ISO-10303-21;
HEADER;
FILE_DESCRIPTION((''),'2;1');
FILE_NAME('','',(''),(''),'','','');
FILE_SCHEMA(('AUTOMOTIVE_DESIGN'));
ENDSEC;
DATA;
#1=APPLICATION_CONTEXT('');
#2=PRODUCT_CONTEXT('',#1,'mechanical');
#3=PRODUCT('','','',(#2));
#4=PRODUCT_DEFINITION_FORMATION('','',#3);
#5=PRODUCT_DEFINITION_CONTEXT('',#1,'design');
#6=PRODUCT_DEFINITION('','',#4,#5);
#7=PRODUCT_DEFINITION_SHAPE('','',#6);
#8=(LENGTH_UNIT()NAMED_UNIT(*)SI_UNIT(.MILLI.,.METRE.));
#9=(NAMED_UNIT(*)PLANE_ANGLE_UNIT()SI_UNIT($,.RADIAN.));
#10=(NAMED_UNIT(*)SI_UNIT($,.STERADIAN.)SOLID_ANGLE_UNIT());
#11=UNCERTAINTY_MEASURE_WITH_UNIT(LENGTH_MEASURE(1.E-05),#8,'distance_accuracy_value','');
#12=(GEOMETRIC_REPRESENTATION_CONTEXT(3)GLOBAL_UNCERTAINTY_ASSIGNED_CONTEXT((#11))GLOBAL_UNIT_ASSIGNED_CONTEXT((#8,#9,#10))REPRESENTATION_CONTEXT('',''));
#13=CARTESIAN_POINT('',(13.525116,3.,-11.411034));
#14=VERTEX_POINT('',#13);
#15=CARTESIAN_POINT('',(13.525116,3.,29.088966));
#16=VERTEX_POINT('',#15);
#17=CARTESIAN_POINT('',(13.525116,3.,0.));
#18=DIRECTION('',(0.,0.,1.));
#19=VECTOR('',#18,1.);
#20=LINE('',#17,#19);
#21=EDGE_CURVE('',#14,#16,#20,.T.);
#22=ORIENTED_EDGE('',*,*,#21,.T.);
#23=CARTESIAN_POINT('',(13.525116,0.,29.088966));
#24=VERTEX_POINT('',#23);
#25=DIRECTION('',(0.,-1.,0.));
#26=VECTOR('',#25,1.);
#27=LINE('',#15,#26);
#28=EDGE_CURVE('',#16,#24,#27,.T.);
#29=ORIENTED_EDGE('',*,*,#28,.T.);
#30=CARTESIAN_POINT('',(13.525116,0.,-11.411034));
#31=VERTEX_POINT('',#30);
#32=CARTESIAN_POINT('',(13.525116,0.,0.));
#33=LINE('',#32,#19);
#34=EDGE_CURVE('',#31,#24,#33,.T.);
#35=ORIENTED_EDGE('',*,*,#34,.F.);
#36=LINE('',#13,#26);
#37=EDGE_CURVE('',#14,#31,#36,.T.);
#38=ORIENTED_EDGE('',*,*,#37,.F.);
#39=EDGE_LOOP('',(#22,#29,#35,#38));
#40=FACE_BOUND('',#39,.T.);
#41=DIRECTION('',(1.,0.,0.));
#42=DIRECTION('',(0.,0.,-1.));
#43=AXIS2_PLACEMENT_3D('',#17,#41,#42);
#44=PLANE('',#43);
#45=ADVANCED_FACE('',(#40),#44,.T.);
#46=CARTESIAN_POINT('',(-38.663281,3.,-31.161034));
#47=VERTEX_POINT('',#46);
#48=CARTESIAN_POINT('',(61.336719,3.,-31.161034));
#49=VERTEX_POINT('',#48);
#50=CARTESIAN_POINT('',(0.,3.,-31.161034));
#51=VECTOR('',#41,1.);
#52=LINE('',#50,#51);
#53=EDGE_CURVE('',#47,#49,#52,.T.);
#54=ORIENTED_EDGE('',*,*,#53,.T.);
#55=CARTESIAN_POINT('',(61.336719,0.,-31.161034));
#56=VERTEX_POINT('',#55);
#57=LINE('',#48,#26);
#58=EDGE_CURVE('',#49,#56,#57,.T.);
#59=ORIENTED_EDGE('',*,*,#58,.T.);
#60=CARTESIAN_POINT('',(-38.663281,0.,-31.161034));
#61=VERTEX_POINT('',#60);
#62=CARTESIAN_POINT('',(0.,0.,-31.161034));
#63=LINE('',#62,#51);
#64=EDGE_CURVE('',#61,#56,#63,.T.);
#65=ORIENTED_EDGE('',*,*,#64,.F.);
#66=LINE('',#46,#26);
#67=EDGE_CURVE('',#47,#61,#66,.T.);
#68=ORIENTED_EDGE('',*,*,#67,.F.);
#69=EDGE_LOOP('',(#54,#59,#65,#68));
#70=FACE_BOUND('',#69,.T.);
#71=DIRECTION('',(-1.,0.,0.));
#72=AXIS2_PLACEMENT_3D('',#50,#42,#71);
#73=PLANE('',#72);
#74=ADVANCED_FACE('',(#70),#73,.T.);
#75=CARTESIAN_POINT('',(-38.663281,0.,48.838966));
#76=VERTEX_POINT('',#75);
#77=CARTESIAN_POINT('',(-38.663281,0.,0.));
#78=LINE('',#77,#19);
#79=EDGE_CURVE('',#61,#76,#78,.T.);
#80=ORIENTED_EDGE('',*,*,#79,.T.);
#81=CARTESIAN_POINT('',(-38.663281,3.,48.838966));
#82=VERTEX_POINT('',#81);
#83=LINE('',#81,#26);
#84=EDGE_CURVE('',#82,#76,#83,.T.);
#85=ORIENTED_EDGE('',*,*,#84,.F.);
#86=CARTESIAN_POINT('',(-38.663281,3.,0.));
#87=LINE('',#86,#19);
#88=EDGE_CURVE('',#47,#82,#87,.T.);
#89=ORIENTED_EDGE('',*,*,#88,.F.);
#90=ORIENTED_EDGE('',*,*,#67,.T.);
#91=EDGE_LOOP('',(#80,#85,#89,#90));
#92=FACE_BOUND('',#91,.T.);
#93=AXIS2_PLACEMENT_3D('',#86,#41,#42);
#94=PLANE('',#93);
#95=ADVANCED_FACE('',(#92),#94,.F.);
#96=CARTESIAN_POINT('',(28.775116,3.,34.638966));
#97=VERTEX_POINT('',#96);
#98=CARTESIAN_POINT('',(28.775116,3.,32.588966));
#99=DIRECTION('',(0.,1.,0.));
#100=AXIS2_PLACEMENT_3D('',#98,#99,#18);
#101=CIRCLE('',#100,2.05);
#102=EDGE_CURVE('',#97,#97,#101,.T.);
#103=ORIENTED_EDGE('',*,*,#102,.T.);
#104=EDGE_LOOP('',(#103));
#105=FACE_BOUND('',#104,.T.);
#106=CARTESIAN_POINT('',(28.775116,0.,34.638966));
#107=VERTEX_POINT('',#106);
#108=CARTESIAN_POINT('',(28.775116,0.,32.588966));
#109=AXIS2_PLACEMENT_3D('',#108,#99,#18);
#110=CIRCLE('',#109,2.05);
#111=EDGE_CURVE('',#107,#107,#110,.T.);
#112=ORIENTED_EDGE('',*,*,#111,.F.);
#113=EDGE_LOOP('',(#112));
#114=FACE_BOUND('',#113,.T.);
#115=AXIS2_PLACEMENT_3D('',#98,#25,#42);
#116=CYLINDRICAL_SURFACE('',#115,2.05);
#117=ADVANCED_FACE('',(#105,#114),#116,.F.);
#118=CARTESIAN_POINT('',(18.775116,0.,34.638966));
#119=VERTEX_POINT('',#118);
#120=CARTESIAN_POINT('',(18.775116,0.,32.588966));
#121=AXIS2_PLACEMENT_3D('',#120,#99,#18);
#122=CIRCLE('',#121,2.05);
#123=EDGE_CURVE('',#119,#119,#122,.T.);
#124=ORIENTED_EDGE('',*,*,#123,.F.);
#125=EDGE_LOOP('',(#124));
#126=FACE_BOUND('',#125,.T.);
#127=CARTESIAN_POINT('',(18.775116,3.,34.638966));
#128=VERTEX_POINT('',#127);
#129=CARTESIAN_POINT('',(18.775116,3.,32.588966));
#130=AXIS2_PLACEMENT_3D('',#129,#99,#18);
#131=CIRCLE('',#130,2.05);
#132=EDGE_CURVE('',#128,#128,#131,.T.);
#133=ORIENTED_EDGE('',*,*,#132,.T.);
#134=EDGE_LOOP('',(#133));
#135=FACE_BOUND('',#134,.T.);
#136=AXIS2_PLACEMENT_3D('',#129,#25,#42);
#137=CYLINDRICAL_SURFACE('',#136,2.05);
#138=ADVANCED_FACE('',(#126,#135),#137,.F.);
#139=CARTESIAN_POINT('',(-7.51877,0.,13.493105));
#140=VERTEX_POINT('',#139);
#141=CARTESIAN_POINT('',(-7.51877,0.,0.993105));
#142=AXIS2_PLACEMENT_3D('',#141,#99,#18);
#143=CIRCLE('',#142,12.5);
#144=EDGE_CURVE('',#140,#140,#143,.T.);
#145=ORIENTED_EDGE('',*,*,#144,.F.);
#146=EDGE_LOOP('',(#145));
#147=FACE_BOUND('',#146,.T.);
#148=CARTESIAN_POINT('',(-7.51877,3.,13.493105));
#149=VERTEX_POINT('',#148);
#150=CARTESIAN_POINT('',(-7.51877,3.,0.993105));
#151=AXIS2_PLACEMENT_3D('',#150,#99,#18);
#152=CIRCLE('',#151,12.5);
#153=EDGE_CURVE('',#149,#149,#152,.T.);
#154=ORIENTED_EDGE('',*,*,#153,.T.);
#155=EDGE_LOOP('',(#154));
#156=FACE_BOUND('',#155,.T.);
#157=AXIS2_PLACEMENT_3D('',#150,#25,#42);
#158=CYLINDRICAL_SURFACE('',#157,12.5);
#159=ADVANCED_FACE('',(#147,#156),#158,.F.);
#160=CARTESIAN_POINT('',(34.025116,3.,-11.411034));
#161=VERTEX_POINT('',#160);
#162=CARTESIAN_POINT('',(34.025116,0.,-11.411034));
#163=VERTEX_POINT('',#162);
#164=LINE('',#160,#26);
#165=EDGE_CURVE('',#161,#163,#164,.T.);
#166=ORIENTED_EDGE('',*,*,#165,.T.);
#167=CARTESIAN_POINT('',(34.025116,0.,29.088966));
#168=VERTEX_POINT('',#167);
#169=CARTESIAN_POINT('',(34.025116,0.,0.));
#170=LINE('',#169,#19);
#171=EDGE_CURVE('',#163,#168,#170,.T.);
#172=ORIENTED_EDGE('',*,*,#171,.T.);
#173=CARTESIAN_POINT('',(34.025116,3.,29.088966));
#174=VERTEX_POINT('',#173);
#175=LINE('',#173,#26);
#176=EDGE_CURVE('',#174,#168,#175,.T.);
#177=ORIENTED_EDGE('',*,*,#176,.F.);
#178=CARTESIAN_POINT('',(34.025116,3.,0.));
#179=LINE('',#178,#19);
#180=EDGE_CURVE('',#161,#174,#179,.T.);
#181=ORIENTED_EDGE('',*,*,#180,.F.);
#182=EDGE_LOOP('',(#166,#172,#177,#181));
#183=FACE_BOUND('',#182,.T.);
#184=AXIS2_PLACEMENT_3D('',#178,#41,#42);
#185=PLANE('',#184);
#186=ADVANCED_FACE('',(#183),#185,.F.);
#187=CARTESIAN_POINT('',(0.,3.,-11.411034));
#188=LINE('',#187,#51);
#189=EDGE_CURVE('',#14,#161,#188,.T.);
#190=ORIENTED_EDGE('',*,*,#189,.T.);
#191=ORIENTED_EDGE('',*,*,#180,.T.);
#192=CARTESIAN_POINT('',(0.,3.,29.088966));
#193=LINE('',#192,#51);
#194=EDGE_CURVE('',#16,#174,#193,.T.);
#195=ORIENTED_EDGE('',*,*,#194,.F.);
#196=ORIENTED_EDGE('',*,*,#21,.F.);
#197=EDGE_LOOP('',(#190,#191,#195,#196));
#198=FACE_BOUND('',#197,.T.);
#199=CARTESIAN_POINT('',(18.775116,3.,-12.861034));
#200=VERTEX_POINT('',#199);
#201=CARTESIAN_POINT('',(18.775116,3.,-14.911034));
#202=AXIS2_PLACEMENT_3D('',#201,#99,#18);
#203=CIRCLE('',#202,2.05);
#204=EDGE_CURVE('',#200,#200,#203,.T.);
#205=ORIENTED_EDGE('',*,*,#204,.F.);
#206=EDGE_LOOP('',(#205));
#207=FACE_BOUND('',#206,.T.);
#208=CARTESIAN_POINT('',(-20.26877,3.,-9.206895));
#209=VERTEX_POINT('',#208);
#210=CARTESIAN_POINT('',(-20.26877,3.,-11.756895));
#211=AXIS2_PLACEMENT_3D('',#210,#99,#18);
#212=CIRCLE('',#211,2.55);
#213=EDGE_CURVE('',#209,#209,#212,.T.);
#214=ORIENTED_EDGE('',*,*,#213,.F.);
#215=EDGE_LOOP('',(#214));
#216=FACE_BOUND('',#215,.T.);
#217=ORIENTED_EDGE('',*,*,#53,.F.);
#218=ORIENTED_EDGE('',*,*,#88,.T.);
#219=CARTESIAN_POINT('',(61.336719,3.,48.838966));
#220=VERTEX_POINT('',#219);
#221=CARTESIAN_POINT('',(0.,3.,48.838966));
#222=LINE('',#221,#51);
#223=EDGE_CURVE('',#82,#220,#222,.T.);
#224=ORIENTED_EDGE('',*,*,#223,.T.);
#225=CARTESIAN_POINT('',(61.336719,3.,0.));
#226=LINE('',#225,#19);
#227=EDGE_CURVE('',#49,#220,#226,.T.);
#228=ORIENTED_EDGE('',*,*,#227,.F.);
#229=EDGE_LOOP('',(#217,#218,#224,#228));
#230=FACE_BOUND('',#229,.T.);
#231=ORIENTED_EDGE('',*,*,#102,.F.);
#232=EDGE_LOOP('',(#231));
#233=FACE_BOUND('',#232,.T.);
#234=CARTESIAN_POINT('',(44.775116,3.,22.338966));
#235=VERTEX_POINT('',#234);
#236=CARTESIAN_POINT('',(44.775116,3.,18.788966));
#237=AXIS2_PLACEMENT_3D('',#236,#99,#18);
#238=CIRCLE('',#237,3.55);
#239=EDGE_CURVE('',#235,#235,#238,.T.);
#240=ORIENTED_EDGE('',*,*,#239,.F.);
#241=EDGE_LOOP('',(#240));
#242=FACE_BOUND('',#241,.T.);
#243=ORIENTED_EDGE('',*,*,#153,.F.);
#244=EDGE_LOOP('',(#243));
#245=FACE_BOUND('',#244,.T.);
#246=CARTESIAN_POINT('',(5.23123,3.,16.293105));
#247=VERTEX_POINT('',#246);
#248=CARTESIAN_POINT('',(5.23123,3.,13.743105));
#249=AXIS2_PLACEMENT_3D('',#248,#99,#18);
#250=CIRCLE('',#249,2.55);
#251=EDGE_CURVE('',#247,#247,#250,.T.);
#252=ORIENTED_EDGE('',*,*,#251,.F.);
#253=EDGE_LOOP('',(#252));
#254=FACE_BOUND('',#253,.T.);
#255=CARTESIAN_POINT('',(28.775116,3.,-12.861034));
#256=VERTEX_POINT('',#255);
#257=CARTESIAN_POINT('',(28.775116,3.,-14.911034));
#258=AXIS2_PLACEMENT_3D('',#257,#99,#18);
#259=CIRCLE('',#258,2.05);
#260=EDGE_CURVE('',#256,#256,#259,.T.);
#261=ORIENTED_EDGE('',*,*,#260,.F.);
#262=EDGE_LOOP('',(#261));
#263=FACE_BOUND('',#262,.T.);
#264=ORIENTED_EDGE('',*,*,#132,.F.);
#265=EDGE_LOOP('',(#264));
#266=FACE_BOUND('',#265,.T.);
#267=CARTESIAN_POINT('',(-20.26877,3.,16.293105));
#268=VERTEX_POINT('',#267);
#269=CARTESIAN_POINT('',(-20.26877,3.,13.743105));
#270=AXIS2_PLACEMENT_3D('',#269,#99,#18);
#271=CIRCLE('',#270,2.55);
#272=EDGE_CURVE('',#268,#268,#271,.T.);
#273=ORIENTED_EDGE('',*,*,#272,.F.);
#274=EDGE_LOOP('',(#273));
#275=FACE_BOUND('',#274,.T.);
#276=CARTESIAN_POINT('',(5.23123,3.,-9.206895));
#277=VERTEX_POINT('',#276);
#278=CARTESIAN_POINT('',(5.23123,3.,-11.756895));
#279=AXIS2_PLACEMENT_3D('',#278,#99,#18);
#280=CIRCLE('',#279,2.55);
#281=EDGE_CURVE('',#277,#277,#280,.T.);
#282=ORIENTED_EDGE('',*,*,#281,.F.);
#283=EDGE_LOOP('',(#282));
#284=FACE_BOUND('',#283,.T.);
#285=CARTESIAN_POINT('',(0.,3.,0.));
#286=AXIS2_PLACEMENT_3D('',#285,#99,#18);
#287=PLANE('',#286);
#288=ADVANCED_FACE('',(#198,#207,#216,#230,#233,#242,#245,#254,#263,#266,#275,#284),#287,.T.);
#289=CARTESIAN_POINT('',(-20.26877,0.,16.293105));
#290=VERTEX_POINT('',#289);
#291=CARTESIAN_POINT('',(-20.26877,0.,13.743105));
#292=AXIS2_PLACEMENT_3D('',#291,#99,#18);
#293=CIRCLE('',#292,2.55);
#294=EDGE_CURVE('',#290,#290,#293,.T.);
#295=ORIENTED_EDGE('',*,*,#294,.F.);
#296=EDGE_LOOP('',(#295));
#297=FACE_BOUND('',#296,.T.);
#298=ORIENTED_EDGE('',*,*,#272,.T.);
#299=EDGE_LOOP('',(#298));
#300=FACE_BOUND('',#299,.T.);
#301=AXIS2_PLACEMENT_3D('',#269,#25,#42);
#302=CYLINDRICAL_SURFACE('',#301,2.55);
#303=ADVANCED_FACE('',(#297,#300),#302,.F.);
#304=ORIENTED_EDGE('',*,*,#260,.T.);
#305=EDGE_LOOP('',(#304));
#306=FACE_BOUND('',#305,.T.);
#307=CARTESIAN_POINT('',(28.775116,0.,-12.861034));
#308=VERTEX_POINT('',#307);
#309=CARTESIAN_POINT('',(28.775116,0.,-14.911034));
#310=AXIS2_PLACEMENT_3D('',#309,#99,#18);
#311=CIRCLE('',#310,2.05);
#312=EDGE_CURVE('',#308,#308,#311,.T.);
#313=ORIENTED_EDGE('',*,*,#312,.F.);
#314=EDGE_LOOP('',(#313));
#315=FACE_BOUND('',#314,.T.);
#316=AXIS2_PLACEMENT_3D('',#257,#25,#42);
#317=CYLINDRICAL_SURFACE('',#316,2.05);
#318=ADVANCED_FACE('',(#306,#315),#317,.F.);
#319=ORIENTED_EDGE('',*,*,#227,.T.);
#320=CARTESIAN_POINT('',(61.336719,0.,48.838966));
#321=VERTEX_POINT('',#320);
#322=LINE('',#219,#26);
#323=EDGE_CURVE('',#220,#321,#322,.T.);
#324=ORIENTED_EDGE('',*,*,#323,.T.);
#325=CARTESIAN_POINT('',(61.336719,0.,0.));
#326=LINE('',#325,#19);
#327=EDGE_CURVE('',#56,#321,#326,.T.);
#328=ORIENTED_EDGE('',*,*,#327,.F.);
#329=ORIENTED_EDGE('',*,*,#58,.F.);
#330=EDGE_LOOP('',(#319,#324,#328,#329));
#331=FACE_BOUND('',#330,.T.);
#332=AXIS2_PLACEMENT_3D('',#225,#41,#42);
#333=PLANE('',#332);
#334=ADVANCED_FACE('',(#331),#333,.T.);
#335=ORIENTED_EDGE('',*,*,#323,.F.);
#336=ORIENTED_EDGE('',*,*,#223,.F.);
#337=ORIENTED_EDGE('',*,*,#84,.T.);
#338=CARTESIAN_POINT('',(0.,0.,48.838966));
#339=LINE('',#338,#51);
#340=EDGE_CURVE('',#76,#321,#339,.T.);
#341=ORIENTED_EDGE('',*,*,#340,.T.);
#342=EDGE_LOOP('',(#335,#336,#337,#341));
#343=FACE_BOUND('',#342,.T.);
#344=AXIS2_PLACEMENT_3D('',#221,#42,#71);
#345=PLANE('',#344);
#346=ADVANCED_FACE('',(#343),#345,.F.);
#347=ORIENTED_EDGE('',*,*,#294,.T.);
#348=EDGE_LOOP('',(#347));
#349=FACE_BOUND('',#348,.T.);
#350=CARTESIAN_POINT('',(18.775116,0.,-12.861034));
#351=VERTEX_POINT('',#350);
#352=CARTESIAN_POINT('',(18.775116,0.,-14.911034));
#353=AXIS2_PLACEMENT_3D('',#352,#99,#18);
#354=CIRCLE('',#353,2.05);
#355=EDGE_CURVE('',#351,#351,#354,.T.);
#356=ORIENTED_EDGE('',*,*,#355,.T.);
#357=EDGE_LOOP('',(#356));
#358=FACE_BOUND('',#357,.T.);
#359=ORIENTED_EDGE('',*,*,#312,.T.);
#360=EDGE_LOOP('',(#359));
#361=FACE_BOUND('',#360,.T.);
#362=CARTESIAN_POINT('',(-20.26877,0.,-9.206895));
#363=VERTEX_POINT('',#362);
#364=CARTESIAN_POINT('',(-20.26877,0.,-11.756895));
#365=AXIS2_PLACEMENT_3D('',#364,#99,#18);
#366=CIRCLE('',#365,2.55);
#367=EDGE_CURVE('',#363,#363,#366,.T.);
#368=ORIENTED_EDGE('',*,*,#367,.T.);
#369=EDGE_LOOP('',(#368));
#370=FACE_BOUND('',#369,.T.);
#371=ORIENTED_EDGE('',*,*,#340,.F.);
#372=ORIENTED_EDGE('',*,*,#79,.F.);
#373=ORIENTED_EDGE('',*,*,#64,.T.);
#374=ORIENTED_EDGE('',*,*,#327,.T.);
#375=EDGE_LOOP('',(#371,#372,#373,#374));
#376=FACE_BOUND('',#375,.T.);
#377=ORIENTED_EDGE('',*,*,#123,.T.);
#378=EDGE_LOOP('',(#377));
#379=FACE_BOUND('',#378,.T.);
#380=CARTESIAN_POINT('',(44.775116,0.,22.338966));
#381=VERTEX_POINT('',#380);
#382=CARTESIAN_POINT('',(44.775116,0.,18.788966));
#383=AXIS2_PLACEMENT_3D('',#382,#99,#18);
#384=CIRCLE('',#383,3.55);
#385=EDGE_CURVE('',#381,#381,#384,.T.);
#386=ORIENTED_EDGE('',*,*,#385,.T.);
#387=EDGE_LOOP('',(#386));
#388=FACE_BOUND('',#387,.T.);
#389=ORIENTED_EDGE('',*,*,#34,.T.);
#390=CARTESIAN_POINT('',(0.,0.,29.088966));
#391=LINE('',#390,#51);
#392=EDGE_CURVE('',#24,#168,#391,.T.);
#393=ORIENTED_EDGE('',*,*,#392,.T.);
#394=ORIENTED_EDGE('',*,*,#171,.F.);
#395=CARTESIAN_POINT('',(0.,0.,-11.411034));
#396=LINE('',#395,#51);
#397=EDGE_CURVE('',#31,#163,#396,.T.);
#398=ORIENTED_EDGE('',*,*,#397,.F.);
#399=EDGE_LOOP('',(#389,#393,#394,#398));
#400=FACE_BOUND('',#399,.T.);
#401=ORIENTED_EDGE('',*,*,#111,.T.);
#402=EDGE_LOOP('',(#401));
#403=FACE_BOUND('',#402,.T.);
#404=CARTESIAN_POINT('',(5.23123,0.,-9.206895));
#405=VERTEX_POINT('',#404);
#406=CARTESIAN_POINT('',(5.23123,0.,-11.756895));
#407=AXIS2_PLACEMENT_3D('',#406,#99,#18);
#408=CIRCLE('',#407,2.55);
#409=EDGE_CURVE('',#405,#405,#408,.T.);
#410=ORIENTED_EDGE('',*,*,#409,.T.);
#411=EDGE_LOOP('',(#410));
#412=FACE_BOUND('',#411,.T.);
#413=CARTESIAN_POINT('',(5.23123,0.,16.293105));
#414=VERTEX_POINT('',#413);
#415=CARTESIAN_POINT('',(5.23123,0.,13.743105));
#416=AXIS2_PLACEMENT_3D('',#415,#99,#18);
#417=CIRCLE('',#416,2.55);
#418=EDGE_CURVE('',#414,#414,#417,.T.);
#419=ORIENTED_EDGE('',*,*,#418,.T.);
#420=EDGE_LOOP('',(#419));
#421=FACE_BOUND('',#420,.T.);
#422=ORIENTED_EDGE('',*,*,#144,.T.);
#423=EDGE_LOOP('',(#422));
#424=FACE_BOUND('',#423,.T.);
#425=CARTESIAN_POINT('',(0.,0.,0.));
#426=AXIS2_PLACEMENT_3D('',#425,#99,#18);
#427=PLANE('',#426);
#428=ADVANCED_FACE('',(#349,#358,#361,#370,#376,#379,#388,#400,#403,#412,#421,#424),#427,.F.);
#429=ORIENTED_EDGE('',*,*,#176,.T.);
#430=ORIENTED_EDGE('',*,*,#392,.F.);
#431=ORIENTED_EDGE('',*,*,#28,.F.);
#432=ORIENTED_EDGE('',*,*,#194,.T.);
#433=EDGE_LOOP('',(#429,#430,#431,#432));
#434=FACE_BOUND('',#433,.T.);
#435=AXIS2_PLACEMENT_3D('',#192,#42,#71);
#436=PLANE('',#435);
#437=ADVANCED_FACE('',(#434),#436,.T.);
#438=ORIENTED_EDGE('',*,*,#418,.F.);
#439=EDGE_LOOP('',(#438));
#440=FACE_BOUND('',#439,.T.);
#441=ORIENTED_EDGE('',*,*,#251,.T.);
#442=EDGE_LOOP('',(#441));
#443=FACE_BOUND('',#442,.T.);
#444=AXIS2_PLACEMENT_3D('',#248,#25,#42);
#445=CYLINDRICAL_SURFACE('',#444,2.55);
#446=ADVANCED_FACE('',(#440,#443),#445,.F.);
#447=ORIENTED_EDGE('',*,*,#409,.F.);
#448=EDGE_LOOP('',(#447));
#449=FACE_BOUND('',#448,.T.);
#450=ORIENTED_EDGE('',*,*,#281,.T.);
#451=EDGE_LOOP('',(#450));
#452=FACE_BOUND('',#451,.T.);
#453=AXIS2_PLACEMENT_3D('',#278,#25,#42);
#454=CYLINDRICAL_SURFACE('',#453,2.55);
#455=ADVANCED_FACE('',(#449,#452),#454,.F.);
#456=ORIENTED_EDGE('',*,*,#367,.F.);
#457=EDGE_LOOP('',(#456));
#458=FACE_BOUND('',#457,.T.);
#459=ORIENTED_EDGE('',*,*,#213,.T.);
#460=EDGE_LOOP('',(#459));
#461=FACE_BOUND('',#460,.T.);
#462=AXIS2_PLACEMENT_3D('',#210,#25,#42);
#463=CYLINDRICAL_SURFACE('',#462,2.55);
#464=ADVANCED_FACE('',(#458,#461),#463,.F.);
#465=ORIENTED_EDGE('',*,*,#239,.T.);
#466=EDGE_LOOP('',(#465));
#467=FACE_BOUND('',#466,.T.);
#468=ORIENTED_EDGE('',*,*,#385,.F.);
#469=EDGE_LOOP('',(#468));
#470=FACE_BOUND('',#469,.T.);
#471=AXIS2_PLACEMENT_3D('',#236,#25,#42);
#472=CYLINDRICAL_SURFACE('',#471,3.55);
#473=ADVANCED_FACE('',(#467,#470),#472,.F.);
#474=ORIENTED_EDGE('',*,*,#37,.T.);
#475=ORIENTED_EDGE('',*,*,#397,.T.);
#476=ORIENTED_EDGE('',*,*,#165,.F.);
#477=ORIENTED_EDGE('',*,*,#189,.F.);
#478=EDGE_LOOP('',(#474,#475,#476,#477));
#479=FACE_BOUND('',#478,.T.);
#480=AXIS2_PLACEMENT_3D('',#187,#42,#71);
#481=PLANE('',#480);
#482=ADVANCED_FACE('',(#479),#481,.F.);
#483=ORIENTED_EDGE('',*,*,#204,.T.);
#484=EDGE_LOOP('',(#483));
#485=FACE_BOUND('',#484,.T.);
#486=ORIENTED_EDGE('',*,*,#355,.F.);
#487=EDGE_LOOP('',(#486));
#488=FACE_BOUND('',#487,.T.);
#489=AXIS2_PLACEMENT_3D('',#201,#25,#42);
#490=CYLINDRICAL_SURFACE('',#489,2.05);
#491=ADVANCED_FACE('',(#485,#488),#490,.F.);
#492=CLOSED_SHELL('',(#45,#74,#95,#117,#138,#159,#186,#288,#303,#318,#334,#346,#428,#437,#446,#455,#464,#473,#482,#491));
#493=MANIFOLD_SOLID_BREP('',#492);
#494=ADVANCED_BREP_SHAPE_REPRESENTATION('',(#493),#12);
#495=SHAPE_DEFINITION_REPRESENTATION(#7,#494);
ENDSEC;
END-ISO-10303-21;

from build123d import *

# Parameters (mm, degrees)
SZKIC1_W                    = 100
SZKIC1_H                    = 80
SZKIC1_R                    = 3.55
SZKIC1_R_2                  = 2.05
SZKIC1_R_3                  = 2.55
SZKIC1_R_4                  = 12.5
SZKIC1_W_2                  = 20.5
SZKIC1_H_2                  = 40.5
DODANIE_WYCI_GNI_CIE1_DEPTH = 3


with BuildPart() as part:
    # Szkic1 → Dodanie-wyciągnięcie1 (new body)
    with BuildSketch(Plane(origin=(0, 0, 0), x_dir=(1, 0, 0), z_dir=(0, 1, 0))):
        with Locations((11.336719097, -8.838965942)):
            Rectangle(SZKIC1_W, SZKIC1_H)
        with Locations(Location((44.775116298, -18.788965942, 0), (0, 0, 270))):
            Circle(SZKIC1_R, mode=Mode.SUBTRACT)
        with Locations(Location((28.775116298, -32.588965942, 0), (0, 0, 270))):
            Circle(SZKIC1_R_2, mode=Mode.SUBTRACT)
        with Locations(Location((18.775116298, -32.588965942, 0), (0, 0, 270))):
            Circle(SZKIC1_R_2, mode=Mode.SUBTRACT)
        with Locations(Location((28.775116298, 14.911034058, 0), (0, 0, 270))):
            Circle(SZKIC1_R_2, mode=Mode.SUBTRACT)
        with Locations(Location((18.775116298, 14.911034058, 0), (0, 0, 270))):
            Circle(SZKIC1_R_2, mode=Mode.SUBTRACT)
        with Locations(Location((-20.268770099, -13.743104788, 0), (0, 0, 270))):
            Circle(SZKIC1_R_3, mode=Mode.SUBTRACT)
        with Locations(Location((5.231229901, -13.743104788, 0), (0, 0, 270))):
            Circle(SZKIC1_R_3, mode=Mode.SUBTRACT)
        with Locations(Location((5.231229901, 11.756895212, 0), (0, 0, 270))):
            Circle(SZKIC1_R_3, mode=Mode.SUBTRACT)
        with Locations(Location((-20.268770099, 11.756895212, 0), (0, 0, 270))):
            Circle(SZKIC1_R_3, mode=Mode.SUBTRACT)
        with Locations(Location((-7.518770099, -0.993104788, 0), (0, 0, 270))):
            Circle(SZKIC1_R_4, mode=Mode.SUBTRACT)
        with Locations((23.775116298, -8.838965942)):
            Rectangle(SZKIC1_W_2, SZKIC1_H_2, mode=Mode.SUBTRACT)
    extrude(amount=DODANIE_WYCI_GNI_CIE1_DEPTH)


solid = part.part
